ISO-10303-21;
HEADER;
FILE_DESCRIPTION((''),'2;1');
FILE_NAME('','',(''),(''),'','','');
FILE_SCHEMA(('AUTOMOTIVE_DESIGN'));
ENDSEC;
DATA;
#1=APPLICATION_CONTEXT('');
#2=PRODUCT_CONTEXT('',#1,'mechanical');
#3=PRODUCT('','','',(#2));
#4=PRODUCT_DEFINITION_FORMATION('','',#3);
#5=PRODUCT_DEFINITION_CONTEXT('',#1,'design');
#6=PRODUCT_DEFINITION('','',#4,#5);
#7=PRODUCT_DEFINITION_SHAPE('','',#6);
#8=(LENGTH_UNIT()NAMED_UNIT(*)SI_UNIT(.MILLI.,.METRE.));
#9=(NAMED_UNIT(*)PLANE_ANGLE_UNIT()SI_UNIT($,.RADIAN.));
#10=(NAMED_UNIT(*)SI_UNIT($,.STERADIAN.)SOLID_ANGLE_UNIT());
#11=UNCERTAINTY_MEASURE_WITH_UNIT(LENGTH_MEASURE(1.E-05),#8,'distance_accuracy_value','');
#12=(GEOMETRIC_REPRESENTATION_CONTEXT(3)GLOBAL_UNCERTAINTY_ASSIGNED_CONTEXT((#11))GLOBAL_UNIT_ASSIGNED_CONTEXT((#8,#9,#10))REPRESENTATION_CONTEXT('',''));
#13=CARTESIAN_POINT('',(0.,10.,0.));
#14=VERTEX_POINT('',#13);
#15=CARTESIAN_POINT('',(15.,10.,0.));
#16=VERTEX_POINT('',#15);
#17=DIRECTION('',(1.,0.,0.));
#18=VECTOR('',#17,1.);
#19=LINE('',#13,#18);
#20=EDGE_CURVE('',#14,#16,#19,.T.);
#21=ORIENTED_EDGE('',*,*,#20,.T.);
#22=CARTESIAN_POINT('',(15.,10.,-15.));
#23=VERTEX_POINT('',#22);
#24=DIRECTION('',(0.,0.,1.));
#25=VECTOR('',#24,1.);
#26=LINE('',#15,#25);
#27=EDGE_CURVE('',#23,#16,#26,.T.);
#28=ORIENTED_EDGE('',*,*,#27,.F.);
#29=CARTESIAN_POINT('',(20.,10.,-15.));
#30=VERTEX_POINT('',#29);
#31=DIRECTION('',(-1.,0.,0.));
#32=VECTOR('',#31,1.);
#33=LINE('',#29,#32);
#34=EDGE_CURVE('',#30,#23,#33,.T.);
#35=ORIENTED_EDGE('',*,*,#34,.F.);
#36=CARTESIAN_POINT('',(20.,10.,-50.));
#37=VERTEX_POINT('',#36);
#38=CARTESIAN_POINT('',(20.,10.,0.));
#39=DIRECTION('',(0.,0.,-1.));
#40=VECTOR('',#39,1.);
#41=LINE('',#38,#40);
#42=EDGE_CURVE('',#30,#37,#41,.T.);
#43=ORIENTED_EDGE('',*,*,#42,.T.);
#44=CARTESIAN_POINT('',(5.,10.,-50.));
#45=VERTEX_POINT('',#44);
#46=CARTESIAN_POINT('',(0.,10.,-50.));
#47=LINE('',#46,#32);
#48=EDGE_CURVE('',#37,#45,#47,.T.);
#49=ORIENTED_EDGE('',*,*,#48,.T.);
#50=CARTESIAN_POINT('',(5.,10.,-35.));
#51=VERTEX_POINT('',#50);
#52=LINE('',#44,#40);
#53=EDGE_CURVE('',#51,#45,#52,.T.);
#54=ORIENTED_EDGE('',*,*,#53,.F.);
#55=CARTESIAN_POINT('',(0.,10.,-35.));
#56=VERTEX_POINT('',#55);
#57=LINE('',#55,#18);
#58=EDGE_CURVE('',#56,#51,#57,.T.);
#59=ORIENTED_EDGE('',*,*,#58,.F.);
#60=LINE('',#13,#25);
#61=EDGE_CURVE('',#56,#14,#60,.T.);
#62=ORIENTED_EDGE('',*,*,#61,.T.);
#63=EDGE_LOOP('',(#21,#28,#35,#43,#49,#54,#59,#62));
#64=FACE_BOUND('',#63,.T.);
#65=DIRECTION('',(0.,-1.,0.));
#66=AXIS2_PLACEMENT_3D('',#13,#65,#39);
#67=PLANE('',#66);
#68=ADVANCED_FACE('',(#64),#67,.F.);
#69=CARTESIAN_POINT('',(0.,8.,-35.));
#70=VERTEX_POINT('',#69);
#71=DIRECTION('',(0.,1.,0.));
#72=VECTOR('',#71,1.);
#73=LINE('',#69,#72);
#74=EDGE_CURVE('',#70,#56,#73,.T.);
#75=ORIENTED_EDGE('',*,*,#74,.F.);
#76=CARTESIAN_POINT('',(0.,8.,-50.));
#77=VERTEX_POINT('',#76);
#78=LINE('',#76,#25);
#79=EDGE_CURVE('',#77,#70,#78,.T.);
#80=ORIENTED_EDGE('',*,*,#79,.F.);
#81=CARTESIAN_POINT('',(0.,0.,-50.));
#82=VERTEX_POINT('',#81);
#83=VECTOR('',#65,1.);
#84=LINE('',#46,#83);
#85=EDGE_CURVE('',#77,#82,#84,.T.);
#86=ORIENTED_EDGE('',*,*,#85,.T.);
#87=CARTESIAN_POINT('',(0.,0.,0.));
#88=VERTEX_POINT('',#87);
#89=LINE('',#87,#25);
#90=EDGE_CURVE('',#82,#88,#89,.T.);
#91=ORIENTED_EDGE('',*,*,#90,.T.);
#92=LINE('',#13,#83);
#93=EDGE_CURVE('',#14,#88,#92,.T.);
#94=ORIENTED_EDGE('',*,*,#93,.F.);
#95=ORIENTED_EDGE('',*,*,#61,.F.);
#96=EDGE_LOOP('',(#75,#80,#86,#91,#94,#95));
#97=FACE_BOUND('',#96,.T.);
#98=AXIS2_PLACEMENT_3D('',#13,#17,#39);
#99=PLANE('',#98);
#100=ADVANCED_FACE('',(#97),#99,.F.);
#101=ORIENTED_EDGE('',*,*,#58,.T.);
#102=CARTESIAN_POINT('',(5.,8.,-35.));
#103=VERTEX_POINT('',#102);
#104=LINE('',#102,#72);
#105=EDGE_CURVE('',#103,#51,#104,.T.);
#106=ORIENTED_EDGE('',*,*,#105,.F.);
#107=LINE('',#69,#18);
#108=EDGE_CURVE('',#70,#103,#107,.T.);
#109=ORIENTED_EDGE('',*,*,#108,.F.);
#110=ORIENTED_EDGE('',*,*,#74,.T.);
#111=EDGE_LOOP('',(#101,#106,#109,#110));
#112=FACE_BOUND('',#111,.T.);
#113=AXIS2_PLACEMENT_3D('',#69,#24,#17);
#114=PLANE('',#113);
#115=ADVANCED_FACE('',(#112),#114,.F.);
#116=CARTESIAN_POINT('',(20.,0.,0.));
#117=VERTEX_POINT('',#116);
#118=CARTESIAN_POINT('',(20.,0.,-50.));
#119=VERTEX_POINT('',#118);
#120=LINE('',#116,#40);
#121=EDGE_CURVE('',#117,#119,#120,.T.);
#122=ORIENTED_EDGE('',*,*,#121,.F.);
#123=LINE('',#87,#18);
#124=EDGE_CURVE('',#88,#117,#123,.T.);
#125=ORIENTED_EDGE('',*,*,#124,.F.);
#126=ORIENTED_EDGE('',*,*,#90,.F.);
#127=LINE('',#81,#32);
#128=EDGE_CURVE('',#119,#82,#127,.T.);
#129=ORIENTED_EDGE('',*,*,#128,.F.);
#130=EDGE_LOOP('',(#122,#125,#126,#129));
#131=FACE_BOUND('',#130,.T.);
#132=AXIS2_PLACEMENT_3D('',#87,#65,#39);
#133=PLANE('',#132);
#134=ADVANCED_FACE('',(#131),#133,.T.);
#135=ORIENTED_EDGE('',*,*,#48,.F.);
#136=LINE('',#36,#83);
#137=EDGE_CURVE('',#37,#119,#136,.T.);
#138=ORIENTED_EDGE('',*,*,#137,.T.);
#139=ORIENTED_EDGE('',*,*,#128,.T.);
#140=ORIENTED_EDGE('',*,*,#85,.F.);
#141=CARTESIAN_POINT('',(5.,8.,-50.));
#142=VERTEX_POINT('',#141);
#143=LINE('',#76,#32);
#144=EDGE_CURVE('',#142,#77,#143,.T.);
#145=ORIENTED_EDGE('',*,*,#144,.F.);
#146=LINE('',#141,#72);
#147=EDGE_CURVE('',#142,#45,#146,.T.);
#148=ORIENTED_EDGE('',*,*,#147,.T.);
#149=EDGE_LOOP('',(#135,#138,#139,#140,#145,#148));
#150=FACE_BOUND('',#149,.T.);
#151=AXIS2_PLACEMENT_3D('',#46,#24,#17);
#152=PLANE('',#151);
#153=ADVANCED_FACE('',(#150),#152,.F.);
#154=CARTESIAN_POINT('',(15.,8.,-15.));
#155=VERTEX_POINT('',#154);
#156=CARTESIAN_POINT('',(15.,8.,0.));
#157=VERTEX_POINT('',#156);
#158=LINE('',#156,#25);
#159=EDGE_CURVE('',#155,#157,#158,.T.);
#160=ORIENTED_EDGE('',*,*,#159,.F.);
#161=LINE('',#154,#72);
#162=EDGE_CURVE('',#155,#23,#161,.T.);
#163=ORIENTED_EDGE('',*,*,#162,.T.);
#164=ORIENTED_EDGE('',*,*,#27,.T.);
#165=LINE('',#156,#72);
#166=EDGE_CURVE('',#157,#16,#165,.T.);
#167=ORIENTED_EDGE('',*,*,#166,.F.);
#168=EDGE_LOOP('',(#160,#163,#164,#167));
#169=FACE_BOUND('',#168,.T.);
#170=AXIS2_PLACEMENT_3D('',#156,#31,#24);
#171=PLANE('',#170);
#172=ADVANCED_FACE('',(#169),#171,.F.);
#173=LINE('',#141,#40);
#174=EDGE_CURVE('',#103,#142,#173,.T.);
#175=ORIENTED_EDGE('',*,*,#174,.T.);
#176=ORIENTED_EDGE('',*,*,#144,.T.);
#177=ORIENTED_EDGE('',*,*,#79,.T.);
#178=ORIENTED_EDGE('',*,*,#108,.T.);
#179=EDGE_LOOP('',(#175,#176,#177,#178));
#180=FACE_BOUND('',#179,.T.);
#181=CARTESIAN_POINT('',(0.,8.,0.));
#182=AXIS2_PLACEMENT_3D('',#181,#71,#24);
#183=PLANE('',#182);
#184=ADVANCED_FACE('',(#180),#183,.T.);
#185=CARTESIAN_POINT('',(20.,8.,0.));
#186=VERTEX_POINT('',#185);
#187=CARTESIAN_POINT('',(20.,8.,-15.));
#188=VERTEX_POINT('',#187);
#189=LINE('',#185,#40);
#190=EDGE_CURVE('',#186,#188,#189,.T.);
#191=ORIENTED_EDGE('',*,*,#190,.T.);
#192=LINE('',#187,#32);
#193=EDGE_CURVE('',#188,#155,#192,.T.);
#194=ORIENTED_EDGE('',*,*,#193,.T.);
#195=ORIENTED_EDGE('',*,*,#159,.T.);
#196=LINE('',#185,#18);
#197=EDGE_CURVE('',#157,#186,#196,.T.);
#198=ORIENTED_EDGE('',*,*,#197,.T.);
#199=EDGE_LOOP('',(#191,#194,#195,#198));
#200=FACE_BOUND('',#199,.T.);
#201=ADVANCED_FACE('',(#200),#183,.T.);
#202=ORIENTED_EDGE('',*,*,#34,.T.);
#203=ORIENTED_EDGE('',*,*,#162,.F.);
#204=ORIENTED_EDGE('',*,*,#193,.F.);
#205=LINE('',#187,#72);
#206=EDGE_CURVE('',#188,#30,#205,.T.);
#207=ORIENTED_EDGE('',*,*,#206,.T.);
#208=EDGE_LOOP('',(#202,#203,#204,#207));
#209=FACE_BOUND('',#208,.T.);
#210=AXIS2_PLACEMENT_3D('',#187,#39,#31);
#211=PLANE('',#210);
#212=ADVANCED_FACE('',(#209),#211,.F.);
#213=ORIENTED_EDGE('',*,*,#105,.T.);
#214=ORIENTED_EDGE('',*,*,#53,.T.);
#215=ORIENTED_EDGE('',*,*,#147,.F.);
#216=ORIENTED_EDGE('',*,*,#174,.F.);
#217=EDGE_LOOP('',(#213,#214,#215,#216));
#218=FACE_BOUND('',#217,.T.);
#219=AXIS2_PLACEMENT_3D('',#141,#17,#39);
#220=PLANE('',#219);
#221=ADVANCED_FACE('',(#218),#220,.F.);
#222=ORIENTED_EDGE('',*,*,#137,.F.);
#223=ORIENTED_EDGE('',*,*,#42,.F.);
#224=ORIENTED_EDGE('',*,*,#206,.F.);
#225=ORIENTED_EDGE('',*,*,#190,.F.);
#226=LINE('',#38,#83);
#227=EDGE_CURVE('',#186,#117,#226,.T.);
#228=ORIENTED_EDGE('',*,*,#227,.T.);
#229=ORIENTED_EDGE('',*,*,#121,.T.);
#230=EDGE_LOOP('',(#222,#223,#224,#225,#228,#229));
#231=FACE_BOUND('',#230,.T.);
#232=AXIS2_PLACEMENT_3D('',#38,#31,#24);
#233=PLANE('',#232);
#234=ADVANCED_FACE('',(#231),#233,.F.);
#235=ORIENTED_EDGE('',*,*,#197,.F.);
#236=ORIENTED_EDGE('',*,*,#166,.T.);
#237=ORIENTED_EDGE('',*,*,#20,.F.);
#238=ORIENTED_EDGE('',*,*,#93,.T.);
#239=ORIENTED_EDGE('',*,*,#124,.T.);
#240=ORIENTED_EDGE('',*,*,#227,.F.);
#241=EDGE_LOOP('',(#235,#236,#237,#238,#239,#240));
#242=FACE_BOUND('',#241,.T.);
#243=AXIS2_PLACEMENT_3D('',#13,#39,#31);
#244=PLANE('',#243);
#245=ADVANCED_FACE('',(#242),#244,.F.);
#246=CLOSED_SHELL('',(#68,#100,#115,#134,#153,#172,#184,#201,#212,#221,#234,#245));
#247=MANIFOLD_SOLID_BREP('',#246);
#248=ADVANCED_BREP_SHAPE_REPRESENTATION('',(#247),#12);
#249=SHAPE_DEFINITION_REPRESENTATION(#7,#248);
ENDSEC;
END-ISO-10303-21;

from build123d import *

# Parameters (mm, degrees)
SKETCH1_W           = 20
SKETCH1_H           = 50
BOSS_EXTRUDE1_DEPTH = 10
SKETCH2_W           = 5
SKETCH2_H           = 15
CUT_EXTRUDE1_DEPTH  = 2


with BuildPart() as part:
    # Sketch1 → Boss-Extrude1 (new body)
    with BuildSketch(Plane(origin=(0, 0, 0), x_dir=(1, 0, 0), z_dir=(0, 1, 0))):
        with Locations((10, 25)):
            Rectangle(SKETCH1_W, SKETCH1_H)
    extrude(amount=BOSS_EXTRUDE1_DEPTH)

    # Sketch2 → Cut-Extrude1 (cut)
    with BuildSketch(Plane(origin=(0, 10, 0), x_dir=(1, 0, 0), z_dir=(0, 1, 0))):
        with Locations((17.5, 7.5)):
            Rectangle(SKETCH2_W, SKETCH2_H)
        with Locations((2.5, 42.5)):
            Rectangle(SKETCH2_W, SKETCH2_H)
    extrude(amount=-CUT_EXTRUDE1_DEPTH, mode=Mode.SUBTRACT)


solid = part.part
